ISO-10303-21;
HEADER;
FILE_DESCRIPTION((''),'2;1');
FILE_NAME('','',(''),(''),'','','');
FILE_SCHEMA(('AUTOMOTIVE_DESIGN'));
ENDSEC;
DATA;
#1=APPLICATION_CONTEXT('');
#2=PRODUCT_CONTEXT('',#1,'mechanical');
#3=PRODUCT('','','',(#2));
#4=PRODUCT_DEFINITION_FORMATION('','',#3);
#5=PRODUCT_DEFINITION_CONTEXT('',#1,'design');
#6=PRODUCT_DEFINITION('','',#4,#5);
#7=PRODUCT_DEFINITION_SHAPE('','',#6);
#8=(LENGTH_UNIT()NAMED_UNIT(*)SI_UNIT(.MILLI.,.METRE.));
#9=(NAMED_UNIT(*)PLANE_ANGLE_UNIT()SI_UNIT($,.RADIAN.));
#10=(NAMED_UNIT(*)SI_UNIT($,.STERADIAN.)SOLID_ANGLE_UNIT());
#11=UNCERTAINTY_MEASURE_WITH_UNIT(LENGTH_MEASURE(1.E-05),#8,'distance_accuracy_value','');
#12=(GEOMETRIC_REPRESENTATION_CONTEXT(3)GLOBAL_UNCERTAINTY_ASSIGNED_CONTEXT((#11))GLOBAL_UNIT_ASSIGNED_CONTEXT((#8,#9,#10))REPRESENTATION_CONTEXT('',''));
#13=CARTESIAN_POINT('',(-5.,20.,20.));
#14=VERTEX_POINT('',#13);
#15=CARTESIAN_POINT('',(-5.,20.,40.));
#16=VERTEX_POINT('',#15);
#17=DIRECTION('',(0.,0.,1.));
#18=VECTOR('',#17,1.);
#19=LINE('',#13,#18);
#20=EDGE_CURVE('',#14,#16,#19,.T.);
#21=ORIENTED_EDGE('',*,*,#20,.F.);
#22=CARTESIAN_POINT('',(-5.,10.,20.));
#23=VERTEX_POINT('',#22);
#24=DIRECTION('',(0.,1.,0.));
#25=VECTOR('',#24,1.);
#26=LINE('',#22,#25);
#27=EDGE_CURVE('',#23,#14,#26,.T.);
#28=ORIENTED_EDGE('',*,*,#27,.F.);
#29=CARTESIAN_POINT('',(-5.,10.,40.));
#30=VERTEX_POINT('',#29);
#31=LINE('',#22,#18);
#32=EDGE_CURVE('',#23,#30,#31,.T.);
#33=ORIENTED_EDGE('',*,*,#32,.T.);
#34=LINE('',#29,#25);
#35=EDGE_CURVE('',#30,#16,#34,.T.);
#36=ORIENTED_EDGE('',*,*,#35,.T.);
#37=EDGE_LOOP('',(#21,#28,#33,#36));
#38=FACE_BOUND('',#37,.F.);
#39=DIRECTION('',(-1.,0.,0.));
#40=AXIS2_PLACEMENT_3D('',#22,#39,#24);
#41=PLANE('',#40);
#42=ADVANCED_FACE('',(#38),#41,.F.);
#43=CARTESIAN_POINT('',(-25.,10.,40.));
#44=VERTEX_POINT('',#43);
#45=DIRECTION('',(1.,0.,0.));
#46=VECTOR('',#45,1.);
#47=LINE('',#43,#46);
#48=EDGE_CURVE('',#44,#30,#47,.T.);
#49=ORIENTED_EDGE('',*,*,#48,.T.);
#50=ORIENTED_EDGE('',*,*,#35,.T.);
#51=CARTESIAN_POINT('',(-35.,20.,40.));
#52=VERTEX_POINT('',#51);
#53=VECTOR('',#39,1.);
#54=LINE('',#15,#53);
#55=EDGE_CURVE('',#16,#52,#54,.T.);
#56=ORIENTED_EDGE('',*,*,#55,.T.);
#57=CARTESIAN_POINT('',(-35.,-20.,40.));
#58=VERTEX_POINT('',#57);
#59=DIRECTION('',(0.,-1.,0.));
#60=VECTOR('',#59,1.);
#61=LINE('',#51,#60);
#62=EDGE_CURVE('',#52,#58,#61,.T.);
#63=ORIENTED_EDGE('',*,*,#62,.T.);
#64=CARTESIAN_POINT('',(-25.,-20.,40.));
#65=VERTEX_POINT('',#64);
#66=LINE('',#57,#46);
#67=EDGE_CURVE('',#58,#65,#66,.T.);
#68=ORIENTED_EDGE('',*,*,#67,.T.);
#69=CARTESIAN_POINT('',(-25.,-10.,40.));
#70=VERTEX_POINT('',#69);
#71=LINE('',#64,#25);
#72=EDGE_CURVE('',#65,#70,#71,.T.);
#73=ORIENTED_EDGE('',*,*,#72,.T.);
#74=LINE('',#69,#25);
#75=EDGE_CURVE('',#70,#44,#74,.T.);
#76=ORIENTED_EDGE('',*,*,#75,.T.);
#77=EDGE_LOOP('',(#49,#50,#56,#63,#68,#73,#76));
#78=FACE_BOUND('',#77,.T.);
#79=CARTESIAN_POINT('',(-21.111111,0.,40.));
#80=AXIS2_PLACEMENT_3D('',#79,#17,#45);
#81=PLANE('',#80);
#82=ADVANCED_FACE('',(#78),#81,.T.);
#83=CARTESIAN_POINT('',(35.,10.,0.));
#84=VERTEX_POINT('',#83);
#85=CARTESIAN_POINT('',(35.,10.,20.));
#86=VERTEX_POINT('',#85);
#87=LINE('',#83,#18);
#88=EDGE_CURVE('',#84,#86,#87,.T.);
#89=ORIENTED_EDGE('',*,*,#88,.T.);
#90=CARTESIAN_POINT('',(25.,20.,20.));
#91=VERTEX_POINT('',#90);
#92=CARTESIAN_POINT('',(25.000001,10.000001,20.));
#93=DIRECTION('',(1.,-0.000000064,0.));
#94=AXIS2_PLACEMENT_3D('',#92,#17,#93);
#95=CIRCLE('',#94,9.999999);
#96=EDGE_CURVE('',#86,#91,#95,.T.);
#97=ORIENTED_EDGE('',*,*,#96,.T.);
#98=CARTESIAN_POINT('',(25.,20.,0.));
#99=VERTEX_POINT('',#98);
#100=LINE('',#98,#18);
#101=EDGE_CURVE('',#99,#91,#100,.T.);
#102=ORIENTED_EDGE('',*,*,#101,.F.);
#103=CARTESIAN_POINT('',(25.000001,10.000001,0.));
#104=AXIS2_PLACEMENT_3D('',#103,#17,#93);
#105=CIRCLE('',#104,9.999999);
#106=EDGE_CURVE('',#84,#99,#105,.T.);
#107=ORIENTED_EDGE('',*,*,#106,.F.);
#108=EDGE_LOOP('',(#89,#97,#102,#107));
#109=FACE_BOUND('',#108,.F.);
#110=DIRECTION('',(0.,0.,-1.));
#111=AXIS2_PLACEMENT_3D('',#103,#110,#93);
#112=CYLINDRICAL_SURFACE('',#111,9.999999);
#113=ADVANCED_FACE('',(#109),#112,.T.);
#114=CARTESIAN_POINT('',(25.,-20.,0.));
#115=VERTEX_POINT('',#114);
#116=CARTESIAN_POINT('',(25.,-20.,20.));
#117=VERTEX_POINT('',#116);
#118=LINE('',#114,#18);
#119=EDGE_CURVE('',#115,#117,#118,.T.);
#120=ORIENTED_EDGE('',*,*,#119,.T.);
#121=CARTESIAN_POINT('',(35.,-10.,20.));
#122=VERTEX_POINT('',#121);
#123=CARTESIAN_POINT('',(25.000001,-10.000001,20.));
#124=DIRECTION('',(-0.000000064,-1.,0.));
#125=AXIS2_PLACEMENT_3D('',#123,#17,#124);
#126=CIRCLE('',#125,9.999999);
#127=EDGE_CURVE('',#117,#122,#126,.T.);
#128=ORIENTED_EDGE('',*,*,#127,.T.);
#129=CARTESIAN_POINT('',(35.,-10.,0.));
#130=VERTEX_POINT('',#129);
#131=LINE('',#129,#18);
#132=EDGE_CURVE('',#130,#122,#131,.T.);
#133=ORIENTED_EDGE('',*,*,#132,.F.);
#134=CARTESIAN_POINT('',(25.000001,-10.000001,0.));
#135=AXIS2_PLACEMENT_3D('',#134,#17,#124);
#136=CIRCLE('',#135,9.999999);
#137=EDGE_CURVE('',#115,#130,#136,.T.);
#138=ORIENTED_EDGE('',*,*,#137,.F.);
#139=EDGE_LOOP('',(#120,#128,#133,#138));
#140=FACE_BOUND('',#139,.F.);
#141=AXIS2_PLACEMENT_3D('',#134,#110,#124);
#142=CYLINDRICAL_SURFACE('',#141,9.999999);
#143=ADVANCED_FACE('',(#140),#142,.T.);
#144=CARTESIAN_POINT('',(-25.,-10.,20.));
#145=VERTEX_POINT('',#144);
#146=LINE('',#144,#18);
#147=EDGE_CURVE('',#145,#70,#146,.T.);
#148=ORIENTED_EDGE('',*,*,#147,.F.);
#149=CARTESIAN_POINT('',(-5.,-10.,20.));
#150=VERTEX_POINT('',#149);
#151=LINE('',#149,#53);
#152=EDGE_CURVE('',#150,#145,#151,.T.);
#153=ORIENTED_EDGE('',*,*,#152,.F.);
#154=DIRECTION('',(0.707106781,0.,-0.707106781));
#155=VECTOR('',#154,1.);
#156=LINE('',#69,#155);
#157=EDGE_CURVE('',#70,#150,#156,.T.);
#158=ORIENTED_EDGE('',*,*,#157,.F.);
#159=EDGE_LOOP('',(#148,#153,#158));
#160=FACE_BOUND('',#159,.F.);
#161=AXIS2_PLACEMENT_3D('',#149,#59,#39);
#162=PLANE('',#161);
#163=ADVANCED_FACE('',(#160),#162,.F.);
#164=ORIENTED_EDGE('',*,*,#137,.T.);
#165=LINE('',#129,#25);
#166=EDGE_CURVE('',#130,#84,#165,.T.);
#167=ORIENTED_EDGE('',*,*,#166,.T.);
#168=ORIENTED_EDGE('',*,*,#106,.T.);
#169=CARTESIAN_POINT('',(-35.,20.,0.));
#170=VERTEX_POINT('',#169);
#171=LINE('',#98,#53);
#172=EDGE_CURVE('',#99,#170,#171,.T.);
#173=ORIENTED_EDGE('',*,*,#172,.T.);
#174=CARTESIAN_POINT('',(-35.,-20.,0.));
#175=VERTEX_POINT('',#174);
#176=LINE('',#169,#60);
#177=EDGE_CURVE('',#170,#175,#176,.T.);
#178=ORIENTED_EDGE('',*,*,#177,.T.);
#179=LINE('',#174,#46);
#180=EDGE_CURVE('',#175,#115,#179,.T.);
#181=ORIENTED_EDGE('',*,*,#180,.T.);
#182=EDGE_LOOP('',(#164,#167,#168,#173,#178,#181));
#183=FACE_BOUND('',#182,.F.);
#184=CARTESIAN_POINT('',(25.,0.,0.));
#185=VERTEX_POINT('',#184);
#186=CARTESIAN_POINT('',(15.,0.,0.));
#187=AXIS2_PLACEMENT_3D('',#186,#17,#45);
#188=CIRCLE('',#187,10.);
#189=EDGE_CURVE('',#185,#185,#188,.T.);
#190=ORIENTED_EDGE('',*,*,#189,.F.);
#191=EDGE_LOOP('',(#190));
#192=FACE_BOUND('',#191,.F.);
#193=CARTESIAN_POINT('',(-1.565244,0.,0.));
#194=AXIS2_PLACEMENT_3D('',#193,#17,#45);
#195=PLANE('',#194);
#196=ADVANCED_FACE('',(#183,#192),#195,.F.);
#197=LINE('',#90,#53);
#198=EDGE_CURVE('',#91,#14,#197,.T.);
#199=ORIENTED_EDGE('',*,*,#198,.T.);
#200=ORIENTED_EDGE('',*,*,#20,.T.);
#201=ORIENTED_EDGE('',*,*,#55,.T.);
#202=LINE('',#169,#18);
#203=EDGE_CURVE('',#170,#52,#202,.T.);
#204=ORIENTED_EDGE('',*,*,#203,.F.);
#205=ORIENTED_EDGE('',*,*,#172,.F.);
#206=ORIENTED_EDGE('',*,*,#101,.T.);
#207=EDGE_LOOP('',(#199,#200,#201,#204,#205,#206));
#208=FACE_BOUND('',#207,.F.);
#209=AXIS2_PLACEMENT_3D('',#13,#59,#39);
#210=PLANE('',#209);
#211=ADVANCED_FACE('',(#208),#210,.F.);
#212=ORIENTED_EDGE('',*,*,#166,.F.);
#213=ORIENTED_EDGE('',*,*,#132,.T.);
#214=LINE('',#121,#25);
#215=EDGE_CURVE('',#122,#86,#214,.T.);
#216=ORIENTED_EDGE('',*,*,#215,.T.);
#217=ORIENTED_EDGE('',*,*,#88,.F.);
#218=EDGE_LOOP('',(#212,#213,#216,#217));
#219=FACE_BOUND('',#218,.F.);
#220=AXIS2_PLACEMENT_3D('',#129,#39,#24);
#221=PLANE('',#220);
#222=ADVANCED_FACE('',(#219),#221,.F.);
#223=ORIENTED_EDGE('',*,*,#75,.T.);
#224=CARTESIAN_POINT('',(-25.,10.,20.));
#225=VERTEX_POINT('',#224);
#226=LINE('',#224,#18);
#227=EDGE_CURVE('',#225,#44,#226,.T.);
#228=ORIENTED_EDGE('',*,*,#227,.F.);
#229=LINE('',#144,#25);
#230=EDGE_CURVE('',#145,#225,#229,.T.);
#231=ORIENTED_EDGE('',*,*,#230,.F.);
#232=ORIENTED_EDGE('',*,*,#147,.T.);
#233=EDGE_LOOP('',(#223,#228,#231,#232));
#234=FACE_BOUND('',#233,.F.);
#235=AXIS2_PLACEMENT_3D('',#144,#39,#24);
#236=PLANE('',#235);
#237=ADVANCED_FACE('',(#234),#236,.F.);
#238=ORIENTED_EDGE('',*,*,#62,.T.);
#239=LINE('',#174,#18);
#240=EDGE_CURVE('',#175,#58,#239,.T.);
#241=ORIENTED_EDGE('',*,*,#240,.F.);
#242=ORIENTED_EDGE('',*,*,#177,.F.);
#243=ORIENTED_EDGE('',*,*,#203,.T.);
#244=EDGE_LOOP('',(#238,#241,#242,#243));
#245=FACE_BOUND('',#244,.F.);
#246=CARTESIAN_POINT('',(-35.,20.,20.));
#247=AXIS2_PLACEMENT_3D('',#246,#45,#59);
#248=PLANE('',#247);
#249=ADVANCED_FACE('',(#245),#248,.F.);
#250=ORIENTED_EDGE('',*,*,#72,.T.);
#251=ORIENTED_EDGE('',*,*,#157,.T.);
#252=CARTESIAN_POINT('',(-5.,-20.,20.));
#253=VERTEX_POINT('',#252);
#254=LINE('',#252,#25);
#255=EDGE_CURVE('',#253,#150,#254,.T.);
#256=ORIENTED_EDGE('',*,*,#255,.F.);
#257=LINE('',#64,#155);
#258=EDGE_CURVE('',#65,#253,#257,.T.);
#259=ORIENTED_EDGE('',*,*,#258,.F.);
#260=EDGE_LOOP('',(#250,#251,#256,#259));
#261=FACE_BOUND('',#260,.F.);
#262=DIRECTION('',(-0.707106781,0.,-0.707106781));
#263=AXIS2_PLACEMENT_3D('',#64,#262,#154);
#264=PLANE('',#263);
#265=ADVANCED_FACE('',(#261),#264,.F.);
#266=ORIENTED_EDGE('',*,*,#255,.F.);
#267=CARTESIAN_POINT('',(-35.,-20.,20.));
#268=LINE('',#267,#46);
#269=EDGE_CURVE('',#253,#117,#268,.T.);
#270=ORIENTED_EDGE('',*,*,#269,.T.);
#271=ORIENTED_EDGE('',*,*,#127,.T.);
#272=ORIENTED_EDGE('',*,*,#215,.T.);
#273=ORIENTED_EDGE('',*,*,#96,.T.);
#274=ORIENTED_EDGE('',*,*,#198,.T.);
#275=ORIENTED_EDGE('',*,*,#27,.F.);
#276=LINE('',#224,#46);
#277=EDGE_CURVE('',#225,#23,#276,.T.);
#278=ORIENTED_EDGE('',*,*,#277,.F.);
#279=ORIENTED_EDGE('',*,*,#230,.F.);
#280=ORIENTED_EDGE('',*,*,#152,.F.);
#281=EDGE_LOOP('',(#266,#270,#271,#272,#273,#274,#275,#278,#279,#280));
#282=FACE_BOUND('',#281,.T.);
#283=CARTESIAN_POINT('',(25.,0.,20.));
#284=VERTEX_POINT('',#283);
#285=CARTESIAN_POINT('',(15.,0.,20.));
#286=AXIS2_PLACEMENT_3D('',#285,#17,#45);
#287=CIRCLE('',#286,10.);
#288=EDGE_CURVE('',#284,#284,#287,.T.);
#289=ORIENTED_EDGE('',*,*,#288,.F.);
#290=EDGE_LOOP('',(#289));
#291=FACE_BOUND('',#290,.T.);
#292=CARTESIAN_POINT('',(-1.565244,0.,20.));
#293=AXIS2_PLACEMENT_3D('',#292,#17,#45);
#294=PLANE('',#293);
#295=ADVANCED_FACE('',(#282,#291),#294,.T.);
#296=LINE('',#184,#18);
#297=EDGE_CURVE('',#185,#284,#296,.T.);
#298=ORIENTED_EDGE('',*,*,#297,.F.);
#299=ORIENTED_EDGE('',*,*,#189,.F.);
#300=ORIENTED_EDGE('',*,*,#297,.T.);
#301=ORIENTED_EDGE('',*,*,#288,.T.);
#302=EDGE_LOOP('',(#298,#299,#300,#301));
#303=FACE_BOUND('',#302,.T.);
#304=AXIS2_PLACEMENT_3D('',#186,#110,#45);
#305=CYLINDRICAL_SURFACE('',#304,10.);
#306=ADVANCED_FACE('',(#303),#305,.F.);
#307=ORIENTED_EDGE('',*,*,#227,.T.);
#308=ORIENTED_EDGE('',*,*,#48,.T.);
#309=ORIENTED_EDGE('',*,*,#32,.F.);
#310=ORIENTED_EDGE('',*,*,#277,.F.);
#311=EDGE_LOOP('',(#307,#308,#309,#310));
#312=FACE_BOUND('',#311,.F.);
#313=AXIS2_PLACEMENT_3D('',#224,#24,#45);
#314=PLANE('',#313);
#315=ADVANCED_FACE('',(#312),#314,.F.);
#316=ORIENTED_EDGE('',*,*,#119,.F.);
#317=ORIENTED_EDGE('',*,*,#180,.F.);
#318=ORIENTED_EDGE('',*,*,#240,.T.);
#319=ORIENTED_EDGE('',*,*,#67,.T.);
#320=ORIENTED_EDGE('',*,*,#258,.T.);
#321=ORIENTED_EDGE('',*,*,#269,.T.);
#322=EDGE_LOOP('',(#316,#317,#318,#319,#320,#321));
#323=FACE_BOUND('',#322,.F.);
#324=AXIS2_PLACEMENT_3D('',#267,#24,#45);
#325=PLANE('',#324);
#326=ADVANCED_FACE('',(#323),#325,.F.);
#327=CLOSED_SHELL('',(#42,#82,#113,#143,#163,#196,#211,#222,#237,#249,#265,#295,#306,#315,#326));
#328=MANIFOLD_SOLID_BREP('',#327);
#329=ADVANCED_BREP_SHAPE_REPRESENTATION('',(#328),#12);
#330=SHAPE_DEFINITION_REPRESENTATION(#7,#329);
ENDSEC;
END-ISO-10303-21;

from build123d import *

# Parameters (mm, degrees)
F0_R     = 10
F1_DEPTH = 20
F3_DEPTH = 20
F5_DEPTH = 10


with BuildPart() as f1:
    # F0 (on Top) → F1 (new body)
    with BuildSketch(Plane.XY):
        with BuildLine():
            Line((-35, 20), (-35, -20))
            Line((-35, -20), (25, -20))
            ThreePointArc((25, -20), (32.071068, -17.071068), (35, -10))
            Line((35, -10), (35, 10))
            ThreePointArc((35, 10), (32.071068, 17.071068), (25, 20))
            Line((25, 20), (-35, 20))
        make_face()
        with Locations((15, 0)):
            Circle(F0_R, mode=Mode.SUBTRACT)
    extrude(amount=F1_DEPTH)

    # F2 (on face) → F3 (join)
    with BuildSketch(Plane.XY.offset(20)):
        Polygon((-5, 20), (-35, 20), (-35, -20), (-5, -20), (-5, -10), (-25, -10), (-25, 10), (-5, 10), align=None)
    extrude(amount=F3_DEPTH)

    # F4 (on face) → F5 (cut, through all)
    with BuildSketch(Plane.XZ.offset(20)):
        Polygon((-25, 40), (-5, 20), (-5, 40), align=None)
    extrude(amount=-F5_DEPTH, mode=Mode.SUBTRACT)


solid = f1.part
